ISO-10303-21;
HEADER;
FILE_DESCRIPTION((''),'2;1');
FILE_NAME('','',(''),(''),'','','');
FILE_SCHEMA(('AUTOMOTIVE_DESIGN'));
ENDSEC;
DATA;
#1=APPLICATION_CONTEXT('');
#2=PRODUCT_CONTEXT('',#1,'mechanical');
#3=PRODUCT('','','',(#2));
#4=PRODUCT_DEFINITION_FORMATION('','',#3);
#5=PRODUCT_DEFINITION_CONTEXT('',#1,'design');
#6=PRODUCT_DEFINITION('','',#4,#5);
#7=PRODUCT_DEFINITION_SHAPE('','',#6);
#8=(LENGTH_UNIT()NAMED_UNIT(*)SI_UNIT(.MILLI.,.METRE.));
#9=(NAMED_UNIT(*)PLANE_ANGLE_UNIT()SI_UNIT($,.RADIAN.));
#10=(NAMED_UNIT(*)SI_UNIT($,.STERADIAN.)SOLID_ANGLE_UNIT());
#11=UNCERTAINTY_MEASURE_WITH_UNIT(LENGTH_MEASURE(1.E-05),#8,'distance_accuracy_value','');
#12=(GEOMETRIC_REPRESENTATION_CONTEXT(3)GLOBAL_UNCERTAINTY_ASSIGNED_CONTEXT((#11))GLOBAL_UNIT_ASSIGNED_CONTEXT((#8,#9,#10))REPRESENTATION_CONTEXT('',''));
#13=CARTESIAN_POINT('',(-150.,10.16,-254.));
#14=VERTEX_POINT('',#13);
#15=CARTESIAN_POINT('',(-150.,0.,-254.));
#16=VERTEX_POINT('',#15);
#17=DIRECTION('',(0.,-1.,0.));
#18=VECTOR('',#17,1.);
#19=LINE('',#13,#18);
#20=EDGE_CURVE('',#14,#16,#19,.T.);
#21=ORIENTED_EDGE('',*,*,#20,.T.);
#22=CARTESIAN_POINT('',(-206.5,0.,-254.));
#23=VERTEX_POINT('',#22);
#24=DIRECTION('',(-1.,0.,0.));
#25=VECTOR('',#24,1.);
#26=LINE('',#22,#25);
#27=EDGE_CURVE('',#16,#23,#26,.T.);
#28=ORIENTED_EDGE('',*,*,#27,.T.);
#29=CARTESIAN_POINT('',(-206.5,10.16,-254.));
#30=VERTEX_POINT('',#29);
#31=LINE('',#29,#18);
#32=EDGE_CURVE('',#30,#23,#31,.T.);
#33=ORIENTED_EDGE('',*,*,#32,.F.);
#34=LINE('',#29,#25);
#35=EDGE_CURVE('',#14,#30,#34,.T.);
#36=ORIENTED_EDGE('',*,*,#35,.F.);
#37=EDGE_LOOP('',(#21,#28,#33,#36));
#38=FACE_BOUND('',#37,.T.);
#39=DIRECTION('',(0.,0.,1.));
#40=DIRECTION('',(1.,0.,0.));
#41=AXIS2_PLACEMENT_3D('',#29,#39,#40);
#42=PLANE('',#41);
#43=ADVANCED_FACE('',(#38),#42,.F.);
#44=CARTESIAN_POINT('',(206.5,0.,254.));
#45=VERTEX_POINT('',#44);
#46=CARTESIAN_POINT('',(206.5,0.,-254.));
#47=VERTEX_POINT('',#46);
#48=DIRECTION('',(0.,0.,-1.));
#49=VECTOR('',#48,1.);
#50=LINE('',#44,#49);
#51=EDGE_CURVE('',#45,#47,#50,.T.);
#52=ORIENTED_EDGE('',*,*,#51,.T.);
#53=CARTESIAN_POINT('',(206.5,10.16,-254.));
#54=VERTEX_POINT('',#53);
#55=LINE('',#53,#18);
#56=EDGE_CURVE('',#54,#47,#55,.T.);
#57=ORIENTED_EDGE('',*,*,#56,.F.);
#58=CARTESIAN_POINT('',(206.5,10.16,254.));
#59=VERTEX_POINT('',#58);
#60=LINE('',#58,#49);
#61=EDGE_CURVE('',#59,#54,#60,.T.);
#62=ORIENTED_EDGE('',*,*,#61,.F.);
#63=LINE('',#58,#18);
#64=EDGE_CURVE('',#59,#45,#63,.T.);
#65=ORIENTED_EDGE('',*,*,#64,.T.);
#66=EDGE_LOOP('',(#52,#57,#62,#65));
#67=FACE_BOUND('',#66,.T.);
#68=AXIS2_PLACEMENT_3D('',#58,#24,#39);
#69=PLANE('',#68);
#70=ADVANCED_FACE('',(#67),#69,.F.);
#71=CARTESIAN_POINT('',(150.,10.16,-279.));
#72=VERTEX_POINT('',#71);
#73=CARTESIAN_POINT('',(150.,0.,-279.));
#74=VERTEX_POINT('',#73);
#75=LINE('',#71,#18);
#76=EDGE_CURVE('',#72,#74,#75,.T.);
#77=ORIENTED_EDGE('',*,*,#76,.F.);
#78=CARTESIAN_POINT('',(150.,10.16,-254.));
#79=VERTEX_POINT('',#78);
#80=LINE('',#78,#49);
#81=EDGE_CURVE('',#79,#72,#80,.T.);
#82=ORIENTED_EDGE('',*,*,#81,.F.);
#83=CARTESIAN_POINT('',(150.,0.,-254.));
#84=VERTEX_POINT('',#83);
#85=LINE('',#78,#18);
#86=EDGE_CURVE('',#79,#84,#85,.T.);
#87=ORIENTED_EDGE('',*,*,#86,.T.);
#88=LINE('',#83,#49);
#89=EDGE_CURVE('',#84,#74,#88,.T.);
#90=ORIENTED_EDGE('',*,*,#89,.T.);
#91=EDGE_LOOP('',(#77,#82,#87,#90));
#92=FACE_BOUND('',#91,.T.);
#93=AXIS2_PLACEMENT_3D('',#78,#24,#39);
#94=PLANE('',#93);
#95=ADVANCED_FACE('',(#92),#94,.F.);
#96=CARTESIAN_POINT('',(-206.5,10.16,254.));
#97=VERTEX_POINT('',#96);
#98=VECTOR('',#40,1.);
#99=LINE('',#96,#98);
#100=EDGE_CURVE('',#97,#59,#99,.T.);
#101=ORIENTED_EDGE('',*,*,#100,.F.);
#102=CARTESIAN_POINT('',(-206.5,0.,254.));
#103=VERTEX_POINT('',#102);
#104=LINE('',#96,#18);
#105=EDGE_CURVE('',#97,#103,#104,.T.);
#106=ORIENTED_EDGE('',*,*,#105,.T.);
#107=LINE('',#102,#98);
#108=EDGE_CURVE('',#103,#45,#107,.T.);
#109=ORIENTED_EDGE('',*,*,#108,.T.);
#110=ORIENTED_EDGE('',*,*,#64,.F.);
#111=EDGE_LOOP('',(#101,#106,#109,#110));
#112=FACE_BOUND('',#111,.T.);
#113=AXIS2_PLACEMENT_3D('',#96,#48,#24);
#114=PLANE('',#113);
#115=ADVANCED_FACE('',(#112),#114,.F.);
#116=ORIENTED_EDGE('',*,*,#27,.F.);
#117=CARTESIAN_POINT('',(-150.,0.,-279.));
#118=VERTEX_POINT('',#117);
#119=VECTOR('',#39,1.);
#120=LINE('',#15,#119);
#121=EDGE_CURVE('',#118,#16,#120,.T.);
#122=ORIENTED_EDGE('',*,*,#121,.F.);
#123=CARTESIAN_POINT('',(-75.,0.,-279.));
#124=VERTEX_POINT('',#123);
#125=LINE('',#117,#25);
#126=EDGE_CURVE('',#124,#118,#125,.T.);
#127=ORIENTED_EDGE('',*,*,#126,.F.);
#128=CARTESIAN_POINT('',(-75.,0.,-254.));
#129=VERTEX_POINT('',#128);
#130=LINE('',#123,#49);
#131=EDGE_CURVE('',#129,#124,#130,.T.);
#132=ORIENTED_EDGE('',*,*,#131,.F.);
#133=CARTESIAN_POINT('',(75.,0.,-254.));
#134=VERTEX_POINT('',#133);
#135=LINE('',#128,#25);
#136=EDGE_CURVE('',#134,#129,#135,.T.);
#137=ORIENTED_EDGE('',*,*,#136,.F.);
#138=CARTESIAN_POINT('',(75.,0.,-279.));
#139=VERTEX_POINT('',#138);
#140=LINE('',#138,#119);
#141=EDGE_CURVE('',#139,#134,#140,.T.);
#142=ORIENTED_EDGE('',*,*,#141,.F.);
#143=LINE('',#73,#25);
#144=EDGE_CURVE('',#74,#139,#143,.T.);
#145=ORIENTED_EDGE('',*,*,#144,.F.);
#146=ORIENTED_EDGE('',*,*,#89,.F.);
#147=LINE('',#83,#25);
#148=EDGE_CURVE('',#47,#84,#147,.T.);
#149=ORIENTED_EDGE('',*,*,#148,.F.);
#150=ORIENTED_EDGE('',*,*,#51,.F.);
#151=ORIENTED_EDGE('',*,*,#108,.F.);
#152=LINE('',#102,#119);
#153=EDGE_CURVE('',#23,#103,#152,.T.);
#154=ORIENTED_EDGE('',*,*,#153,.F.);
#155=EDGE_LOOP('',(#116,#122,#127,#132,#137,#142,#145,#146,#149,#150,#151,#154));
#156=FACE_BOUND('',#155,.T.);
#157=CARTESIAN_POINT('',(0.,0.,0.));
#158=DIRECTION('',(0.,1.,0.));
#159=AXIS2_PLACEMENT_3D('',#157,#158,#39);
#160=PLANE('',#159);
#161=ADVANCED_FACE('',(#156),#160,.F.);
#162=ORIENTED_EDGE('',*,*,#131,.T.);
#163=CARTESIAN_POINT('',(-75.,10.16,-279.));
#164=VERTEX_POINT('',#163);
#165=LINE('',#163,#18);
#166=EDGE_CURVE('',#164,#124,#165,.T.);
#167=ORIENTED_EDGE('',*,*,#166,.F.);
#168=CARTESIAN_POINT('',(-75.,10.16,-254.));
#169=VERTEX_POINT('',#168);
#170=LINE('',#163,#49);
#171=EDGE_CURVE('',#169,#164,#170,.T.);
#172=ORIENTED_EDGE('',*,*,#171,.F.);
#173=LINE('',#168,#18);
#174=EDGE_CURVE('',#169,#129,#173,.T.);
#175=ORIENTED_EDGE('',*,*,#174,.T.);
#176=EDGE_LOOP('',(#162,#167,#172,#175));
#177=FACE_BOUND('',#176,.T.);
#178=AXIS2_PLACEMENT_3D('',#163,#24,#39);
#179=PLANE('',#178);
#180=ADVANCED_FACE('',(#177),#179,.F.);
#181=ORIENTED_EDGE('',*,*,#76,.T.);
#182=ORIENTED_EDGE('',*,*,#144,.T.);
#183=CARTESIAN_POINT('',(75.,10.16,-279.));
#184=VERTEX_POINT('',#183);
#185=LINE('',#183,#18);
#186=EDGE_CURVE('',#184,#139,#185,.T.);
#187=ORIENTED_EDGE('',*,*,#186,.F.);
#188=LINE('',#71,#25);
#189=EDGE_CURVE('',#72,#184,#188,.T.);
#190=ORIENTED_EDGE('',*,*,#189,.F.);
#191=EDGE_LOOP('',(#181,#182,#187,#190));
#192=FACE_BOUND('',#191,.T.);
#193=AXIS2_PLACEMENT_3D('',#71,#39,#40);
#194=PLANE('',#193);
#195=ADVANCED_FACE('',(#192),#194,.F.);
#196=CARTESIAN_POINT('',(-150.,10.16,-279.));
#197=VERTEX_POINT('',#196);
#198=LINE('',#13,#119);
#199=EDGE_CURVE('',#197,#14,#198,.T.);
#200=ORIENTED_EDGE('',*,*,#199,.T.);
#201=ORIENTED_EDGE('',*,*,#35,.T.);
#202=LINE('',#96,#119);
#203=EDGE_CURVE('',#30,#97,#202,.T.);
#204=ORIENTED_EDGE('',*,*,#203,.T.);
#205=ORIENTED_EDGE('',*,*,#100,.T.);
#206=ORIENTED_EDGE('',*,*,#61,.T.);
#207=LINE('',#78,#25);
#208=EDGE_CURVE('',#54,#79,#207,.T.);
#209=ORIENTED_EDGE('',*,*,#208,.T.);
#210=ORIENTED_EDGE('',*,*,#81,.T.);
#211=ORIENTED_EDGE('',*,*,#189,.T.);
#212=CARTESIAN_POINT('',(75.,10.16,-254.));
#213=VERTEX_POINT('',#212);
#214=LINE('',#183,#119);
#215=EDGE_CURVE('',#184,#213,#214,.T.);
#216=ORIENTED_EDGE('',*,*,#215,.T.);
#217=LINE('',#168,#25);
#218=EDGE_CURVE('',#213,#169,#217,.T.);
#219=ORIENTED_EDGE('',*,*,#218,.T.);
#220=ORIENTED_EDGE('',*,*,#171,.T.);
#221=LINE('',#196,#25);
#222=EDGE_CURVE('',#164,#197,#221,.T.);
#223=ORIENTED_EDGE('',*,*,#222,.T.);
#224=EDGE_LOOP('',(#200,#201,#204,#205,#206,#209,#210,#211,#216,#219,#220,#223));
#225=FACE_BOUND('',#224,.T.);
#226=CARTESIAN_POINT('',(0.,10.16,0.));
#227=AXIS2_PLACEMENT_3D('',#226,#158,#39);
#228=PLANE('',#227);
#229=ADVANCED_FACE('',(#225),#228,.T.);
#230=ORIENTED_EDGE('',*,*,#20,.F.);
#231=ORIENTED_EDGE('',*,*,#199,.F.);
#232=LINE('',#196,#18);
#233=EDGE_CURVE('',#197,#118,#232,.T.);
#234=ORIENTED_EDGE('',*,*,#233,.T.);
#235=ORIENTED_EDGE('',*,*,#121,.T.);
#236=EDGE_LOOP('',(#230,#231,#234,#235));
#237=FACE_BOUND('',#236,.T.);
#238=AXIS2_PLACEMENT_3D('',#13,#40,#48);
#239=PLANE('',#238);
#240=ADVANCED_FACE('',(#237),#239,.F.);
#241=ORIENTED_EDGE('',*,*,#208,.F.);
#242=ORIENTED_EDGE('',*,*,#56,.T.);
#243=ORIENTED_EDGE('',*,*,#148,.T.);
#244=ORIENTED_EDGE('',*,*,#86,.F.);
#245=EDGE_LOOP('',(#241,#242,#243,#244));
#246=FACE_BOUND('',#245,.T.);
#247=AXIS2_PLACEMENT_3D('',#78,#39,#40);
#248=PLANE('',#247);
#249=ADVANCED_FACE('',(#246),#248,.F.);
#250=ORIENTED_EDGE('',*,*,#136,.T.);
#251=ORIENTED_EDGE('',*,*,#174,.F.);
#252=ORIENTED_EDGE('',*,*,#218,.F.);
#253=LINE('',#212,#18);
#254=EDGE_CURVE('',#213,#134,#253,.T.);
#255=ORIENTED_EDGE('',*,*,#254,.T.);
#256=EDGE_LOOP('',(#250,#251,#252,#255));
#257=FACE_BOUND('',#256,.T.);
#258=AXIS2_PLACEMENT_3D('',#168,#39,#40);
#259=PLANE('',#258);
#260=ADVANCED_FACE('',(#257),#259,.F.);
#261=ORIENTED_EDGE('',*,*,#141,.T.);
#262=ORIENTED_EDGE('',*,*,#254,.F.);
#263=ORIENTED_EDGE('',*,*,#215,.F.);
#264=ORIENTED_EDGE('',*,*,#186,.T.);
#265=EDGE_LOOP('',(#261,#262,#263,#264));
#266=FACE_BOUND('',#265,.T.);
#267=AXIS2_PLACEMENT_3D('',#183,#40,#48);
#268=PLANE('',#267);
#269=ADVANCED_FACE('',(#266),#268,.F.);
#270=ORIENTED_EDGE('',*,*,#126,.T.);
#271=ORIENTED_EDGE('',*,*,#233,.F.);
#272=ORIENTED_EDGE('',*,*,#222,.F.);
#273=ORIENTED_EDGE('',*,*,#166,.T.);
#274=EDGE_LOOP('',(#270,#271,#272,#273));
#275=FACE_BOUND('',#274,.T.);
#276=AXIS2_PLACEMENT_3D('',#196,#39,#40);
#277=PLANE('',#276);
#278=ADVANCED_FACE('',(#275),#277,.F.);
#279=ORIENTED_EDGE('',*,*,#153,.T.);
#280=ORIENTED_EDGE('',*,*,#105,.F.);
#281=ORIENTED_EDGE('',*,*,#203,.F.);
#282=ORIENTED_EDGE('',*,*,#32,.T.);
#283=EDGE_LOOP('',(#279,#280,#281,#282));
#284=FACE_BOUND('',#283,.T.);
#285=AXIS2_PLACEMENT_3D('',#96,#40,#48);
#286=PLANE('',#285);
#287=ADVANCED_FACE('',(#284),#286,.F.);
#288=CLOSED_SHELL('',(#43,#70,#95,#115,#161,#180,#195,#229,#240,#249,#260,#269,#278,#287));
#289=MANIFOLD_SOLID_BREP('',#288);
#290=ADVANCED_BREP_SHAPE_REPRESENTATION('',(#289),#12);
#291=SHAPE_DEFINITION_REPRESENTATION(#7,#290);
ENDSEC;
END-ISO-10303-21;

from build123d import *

# Parameters (mm, degrees)
BOSS_EXTRUDE1_DEPTH = 10.16


with BuildPart() as part:
    # Sketch1 → Boss-Extrude1 (new body)
    with BuildSketch(Plane(origin=(0, 0, 0), x_dir=(1, 0, 0), z_dir=(0, 1, 0))):
        Polygon((-206.5, -254), (206.5, -254), (206.5, 254), (150, 254), (150, 279), (75, 279), (75, 254), (-75, 254), (-75, 279), (-150, 279), (-150, 254), (-206.5, 254), align=None)
    extrude(amount=BOSS_EXTRUDE1_DEPTH)


solid = part.part
